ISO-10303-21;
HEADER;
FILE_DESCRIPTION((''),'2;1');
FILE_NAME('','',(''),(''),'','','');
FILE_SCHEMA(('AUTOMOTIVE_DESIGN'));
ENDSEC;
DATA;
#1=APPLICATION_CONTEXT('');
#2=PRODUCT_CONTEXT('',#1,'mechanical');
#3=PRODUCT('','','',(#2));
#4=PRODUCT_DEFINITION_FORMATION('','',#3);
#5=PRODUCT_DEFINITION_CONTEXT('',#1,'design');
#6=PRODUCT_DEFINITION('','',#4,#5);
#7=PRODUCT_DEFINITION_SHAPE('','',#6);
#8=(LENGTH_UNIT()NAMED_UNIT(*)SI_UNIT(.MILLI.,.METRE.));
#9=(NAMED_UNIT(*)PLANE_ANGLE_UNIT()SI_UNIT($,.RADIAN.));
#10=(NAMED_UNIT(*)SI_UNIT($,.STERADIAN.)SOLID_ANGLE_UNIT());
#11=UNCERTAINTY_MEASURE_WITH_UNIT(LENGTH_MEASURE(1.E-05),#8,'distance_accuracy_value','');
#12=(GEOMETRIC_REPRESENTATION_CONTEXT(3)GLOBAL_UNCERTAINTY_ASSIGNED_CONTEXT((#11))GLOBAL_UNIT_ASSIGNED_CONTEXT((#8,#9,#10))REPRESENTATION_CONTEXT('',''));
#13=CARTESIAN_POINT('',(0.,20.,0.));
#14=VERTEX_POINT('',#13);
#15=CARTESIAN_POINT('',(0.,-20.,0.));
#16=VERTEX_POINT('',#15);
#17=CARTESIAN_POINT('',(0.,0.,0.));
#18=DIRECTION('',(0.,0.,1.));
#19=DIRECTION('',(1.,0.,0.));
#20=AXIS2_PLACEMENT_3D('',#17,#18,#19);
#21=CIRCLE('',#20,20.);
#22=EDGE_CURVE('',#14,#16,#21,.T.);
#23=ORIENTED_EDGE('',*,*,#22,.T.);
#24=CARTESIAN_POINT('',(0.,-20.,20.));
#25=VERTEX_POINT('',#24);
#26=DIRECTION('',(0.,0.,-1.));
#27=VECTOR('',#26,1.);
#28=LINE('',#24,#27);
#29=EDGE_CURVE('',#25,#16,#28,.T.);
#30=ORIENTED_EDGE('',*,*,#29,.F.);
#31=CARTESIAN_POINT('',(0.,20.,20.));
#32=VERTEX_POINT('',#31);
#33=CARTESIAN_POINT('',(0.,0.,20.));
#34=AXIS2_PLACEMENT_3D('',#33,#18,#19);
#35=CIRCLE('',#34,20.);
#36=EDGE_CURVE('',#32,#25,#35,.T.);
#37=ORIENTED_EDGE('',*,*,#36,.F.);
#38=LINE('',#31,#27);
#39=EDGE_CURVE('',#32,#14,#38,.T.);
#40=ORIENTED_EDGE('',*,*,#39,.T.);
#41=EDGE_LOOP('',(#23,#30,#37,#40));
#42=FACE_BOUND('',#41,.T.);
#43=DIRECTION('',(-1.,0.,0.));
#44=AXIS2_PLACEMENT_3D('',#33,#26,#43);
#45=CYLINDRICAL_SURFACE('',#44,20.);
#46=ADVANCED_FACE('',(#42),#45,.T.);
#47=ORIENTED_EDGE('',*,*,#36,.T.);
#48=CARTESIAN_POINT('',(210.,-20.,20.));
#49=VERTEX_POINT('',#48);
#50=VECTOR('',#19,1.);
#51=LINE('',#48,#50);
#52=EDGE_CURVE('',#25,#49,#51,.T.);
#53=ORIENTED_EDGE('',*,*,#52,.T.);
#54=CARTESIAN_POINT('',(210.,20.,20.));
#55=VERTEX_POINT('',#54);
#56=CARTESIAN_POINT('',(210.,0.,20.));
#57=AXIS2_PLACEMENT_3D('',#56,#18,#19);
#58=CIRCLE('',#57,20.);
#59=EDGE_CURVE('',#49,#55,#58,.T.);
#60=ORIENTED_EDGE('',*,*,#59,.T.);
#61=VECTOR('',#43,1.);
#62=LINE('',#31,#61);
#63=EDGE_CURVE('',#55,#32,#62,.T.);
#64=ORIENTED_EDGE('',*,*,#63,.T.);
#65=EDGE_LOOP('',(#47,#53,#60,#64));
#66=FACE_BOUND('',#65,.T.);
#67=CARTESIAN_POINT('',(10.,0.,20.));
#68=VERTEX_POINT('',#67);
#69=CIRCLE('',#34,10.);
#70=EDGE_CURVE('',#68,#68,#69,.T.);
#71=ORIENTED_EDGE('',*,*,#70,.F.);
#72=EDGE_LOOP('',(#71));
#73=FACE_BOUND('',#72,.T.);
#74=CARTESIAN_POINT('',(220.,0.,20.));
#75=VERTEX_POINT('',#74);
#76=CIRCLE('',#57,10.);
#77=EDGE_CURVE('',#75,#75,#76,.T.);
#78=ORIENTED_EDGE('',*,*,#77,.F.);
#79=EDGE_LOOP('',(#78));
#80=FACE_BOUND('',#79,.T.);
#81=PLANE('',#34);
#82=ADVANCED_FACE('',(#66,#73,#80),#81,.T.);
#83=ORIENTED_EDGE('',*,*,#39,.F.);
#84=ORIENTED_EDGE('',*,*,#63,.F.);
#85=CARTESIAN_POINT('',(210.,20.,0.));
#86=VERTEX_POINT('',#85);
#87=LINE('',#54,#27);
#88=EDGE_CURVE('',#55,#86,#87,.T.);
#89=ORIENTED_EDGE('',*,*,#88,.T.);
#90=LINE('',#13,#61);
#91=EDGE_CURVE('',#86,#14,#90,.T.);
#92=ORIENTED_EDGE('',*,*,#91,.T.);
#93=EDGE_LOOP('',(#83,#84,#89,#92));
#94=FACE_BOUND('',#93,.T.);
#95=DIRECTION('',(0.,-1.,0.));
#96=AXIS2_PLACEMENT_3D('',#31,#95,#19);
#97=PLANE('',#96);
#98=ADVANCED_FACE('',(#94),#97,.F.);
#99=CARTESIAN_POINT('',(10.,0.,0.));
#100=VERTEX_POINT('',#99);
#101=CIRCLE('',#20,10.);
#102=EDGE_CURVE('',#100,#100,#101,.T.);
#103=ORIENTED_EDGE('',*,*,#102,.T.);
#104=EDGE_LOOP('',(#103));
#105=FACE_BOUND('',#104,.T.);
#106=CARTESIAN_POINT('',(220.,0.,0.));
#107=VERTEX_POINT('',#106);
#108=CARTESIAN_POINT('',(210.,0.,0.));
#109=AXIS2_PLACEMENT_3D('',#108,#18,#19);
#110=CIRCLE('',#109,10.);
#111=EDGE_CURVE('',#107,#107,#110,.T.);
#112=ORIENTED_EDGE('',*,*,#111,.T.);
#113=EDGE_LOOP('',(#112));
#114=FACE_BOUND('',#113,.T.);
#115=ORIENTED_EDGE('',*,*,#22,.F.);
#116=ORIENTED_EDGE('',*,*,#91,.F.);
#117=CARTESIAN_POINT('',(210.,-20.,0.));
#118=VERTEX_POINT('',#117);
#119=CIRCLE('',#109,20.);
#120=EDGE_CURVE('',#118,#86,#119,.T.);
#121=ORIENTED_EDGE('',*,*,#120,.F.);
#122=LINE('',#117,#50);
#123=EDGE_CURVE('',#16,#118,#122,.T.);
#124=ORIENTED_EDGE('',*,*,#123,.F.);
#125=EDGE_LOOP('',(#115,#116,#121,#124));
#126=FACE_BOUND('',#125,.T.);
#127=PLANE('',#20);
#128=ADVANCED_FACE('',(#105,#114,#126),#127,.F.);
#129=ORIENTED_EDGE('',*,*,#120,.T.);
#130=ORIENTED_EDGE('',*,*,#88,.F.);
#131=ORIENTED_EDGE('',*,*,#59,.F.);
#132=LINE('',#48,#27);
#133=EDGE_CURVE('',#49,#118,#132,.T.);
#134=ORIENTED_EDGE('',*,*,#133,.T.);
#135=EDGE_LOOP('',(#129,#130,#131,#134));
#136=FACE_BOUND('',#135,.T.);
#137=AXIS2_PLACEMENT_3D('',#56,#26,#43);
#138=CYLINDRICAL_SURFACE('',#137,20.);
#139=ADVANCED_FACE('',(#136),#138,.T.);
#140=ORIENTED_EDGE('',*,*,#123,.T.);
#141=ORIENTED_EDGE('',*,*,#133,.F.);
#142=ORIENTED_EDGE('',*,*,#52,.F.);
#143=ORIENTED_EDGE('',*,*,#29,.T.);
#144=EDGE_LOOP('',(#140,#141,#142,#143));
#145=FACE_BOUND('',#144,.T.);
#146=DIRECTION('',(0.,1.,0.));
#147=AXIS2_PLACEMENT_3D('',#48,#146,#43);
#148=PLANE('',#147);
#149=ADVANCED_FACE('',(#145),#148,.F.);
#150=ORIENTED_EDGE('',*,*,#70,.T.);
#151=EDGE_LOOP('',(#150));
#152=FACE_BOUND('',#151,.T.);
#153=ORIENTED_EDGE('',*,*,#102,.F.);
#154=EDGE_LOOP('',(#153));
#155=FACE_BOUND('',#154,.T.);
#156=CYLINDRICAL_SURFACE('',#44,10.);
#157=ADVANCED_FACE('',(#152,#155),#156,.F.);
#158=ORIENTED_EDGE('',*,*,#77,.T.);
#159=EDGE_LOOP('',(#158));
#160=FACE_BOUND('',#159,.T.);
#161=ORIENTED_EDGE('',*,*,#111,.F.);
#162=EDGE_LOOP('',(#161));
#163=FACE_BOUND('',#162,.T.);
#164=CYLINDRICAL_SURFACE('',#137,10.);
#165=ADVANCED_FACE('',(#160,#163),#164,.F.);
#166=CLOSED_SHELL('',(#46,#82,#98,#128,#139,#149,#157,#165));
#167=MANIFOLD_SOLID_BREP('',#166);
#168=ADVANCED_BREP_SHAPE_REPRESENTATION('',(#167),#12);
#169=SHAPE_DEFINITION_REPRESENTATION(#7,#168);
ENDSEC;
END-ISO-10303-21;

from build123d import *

# Parameters (mm, degrees)
SKETCH1_R           = 10
BOSS_EXTRUDE1_DEPTH = 20


with BuildPart() as part:
    # Sketch1 → Boss-Extrude1 (new body)
    with BuildSketch(Plane.XY):
        with BuildLine():
            Line((0, 20), (210, 20))
            ThreePointArc((210, 20), (230, 0), (210, -20))
            Line((210, -20), (0, -20))
            ThreePointArc((0, -20), (-20, 0), (0, 20))
        make_face()
        Circle(SKETCH1_R, mode=Mode.SUBTRACT)
        with Locations((210, 0)):
            Circle(SKETCH1_R, mode=Mode.SUBTRACT)
    extrude(amount=BOSS_EXTRUDE1_DEPTH)


solid = part.part
